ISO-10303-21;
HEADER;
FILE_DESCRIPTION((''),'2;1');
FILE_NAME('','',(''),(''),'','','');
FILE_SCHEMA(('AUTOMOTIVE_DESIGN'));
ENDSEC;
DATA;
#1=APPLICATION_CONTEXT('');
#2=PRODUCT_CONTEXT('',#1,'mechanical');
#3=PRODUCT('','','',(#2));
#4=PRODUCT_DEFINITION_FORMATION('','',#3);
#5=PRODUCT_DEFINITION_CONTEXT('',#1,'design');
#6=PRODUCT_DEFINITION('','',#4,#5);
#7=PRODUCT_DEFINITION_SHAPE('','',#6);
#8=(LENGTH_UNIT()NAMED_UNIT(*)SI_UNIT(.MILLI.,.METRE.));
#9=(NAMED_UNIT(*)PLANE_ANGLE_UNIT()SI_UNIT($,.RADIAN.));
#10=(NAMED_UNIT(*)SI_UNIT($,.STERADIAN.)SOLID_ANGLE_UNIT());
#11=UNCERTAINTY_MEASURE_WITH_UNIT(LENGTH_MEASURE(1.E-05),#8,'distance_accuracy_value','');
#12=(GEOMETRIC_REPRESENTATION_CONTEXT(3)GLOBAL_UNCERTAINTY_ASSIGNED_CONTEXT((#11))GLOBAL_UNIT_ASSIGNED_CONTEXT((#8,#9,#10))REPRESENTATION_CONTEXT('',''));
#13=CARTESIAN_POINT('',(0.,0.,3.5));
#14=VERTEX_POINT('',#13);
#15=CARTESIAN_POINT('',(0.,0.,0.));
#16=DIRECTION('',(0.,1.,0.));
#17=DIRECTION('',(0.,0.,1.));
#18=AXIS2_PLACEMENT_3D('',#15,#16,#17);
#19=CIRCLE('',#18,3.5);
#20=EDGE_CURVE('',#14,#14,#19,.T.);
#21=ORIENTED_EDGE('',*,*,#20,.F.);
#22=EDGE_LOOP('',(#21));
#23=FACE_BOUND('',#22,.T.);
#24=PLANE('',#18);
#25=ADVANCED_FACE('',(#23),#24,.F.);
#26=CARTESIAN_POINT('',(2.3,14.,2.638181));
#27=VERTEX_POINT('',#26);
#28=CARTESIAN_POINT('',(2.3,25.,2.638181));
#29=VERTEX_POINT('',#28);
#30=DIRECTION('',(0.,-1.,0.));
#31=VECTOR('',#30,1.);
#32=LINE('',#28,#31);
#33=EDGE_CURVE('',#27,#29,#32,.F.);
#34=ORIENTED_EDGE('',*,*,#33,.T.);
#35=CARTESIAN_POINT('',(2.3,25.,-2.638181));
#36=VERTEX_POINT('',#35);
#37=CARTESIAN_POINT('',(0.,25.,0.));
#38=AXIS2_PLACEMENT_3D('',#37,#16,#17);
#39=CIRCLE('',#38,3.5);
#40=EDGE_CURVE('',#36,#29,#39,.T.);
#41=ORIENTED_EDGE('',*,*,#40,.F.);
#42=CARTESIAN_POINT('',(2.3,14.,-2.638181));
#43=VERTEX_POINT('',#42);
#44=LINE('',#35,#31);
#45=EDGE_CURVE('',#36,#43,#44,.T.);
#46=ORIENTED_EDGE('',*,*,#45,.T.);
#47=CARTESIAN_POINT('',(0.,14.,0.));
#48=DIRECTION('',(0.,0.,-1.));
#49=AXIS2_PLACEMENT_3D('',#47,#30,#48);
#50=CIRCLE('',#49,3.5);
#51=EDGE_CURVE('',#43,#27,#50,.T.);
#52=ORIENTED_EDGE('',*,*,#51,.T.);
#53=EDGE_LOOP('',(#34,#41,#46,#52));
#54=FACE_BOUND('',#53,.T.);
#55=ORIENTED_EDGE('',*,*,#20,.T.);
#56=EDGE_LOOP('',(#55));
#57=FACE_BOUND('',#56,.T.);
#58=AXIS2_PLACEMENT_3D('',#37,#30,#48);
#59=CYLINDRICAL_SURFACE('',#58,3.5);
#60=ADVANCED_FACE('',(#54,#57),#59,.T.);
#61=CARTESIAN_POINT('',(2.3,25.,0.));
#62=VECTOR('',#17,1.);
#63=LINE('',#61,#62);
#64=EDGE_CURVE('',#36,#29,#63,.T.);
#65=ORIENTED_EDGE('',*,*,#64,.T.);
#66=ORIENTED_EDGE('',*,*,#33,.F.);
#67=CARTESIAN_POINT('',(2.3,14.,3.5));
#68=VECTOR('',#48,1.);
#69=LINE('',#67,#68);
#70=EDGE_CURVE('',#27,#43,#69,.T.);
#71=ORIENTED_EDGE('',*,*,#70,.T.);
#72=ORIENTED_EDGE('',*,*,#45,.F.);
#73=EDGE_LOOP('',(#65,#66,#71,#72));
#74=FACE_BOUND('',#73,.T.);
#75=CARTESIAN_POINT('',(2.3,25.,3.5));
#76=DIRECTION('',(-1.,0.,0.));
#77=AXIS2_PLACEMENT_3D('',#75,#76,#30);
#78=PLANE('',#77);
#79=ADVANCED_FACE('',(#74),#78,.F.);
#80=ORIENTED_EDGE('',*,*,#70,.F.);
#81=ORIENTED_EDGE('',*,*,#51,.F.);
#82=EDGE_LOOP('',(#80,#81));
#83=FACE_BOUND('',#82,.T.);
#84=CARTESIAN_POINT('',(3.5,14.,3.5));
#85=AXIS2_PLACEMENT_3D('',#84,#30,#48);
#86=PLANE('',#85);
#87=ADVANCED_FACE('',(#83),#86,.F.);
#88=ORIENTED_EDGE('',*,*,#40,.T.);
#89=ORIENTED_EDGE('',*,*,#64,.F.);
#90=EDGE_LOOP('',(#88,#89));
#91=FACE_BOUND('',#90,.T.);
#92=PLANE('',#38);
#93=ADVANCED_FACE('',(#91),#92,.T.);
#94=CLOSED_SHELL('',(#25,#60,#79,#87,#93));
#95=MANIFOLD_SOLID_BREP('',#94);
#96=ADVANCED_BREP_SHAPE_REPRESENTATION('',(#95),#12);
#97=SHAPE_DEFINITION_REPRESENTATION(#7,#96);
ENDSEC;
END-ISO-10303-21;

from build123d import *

# Parameters (mm, degrees)
SKETCH1_R               = 3.5
BOSS_EXTRUDE1_DEPTH     = 25
SKETCH2_W               = 1.2
SKETCH2_H               = 11
CUT_EXTRUDE1_DEPTH      = 1
CUT_EXTRUDE1_DEPTH_BACK = 8


with BuildPart() as part:
    # Sketch1 → Boss-Extrude1 (new body)
    with BuildSketch(Plane(origin=(0, 0, 0), x_dir=(1, 0, 0), z_dir=(0, 1, 0))):
        Circle(SKETCH1_R)
    extrude(amount=BOSS_EXTRUDE1_DEPTH)

    # Sketch2 → Cut-Extrude1 (cut, two sides)
    with BuildSketch(Plane(origin=(0, 0, -3.5), x_dir=(-1, 0, 0), z_dir=(0, 0, -1))) as cut_extrude1_sk:
        with Locations((-2.9, 19.5)):
            Rectangle(SKETCH2_W, SKETCH2_H)
    extrude(amount=CUT_EXTRUDE1_DEPTH, mode=Mode.SUBTRACT)
    extrude(cut_extrude1_sk.sketch, amount=-CUT_EXTRUDE1_DEPTH_BACK, mode=Mode.SUBTRACT)


solid = part.part
